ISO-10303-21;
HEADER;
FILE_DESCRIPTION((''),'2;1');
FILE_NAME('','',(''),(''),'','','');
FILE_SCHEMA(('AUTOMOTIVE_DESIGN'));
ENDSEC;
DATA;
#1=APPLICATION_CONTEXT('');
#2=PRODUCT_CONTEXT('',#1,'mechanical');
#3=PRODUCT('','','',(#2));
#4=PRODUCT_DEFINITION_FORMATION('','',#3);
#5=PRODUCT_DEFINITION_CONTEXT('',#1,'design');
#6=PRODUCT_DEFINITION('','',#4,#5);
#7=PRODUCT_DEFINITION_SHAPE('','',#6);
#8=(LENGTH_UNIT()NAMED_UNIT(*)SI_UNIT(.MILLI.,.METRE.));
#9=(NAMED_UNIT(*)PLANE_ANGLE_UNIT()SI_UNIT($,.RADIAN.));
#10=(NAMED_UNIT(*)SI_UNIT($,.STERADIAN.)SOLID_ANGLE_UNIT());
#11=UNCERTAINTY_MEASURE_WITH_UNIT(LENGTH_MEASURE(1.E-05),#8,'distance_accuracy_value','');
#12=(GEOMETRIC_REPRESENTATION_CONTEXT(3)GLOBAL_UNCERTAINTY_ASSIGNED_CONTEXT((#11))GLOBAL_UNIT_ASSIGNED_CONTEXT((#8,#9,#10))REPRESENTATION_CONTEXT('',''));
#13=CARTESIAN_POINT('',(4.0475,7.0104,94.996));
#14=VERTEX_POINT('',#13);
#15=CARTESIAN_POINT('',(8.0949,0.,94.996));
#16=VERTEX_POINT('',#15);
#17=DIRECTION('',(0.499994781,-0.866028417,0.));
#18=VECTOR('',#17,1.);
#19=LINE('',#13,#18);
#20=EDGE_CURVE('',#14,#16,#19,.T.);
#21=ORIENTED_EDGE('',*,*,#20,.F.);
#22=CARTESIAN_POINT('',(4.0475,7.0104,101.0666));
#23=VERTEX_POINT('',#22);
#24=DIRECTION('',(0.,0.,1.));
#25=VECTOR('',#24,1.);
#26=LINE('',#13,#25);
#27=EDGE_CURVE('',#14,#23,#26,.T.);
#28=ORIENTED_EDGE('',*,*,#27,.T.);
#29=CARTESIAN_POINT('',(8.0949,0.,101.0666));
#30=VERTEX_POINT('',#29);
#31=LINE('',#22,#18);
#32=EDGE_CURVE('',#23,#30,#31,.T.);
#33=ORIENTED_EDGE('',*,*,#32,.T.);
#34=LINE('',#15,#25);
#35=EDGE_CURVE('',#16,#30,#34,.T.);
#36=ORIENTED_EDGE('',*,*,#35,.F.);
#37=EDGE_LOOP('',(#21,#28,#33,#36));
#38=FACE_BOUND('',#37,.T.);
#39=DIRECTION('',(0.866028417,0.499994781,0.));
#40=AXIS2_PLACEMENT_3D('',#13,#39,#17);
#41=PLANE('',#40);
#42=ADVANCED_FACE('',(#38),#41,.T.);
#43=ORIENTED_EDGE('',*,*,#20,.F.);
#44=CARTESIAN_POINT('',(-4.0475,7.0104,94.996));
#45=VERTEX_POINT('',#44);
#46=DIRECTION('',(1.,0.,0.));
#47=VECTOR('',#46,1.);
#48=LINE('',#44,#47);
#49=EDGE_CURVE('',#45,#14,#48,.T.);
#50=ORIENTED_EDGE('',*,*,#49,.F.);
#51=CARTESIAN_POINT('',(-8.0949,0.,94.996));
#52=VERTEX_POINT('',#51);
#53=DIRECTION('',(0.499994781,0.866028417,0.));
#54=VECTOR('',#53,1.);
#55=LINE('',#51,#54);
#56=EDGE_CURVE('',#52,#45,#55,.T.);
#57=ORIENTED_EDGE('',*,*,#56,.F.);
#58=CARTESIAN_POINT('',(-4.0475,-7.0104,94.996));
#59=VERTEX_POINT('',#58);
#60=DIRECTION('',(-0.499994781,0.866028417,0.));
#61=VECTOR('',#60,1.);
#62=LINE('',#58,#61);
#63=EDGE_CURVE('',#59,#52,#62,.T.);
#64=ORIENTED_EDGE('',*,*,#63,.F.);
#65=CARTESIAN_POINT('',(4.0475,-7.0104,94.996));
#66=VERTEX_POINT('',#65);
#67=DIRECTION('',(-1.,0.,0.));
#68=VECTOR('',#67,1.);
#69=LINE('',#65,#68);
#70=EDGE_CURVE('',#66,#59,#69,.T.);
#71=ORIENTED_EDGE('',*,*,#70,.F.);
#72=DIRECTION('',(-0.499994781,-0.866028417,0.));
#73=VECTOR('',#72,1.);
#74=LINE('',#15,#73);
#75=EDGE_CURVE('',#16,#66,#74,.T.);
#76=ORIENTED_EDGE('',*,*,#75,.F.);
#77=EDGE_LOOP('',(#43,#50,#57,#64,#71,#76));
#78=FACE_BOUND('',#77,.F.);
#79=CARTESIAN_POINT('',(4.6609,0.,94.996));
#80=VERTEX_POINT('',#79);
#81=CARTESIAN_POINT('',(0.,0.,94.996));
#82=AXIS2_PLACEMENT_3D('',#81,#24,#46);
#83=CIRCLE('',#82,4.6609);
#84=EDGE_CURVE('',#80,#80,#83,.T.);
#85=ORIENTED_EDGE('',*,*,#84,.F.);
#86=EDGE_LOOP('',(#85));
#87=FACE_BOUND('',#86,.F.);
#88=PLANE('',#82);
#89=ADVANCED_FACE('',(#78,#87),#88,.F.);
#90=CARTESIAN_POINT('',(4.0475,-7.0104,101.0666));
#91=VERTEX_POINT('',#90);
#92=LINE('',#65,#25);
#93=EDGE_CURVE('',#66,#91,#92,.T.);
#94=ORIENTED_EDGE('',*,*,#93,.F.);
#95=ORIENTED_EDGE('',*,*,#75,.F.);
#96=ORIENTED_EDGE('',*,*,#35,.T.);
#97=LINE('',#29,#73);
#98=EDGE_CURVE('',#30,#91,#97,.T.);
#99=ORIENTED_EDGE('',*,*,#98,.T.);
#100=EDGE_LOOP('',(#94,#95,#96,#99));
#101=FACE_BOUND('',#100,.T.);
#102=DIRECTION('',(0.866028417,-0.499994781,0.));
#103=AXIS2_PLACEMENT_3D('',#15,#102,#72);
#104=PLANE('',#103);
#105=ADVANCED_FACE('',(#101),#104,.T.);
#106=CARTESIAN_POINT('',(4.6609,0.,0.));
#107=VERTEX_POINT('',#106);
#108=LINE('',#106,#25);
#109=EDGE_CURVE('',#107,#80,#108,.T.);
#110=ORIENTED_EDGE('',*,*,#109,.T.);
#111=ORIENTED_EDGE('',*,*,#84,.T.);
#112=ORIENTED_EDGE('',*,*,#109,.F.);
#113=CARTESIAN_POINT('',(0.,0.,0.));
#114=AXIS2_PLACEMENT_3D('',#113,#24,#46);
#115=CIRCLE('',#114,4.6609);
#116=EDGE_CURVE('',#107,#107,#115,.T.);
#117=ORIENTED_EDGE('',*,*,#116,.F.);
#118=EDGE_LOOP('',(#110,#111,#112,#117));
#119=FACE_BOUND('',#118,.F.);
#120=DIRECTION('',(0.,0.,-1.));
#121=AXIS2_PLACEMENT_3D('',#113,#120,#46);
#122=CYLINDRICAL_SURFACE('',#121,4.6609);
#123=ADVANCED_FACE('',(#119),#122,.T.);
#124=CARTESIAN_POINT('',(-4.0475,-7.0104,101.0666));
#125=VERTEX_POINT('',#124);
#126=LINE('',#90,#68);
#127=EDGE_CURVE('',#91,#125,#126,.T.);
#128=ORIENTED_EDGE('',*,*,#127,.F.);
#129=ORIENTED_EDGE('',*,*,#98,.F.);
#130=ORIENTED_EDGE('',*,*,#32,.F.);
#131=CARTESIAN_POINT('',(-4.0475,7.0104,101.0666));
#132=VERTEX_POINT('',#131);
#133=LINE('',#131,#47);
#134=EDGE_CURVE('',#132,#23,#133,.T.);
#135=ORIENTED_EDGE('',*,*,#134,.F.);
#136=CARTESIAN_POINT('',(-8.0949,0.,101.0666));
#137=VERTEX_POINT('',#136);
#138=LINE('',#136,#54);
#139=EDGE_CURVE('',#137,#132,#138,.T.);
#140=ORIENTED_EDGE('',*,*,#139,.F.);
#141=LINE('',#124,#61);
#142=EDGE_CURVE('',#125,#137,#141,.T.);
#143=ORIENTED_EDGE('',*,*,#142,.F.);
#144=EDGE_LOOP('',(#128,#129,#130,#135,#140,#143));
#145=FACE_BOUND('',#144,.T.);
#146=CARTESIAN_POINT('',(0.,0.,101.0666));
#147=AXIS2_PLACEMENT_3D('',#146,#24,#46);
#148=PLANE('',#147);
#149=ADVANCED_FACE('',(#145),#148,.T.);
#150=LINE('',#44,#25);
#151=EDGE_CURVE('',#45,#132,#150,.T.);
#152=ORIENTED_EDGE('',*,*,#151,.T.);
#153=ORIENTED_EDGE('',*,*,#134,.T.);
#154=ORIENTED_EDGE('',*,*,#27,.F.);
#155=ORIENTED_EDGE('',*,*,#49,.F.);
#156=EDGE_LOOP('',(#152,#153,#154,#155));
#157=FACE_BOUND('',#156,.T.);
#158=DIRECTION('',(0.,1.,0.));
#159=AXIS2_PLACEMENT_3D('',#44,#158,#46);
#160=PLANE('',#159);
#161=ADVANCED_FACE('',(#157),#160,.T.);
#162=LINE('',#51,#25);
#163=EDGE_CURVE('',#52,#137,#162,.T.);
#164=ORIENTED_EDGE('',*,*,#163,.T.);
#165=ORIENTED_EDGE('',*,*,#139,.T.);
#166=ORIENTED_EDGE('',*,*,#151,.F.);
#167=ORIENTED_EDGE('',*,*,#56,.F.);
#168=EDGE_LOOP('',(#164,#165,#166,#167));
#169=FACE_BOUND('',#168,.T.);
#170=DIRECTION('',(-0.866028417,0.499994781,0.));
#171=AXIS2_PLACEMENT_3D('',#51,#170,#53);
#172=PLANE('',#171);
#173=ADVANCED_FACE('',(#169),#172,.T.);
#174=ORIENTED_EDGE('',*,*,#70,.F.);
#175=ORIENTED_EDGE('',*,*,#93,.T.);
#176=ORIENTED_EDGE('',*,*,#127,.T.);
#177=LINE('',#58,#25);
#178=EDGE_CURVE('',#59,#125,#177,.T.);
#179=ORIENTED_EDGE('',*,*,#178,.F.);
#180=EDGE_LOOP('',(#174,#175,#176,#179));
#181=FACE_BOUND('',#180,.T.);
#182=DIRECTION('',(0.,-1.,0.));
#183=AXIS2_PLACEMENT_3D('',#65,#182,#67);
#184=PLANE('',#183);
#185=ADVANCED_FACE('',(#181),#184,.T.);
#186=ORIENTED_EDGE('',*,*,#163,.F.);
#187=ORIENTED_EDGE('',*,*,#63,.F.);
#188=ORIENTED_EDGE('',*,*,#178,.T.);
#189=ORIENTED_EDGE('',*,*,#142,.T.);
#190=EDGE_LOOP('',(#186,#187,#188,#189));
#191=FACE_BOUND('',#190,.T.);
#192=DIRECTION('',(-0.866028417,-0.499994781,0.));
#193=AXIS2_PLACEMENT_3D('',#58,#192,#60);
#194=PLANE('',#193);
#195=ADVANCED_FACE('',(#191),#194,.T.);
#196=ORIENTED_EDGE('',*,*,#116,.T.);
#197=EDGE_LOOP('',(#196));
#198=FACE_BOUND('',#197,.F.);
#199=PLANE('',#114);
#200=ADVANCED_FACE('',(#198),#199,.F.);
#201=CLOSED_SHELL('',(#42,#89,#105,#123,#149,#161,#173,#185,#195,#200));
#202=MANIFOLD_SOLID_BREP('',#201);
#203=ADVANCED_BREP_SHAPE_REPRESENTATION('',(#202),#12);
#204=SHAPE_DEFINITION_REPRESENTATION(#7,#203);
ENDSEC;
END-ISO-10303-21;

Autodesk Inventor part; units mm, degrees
ref_plane "YZ Plane" through (0, 0, 0) normal (1, 0, 0) x (0, 1, 0)
ref_plane "XZ Plane" through (0, 0, 0) normal (0, 1, 0) x (-1, 0, 0)
ref_plane "XY Plane" through (0, 0, 0) normal (0, 0, 1) x (1, 0, 0)
sketch "Sketch1" plane through (0, 0, 0) normal (0, 0, 1) x (1, 0, 0)
  circle A0 centre (0, 0) radius 4.6609
  dimension "d0" = 9.3218
extrude "Extrusion1" add sketch "Sketch1" along normal blind 94.996
thread "Thread1" size "3/8-16 UNC" class "2A" standard "ANSI Unified Screw Threads" length 29.845
sketch "Sketch2" plane through (0, 0, 94.996) normal (0, 0, 1) x (1, 0, 0)
  circle A0 centre (0, 0) radius 4.6609 projected
  line L0 (8.0949, 0) -> (4.0475, -7.0104)
  line L1 (4.0475, -7.0104) -> (-4.0475, -7.0104)
  line L2 (-4.0475, -7.0104) -> (-8.0949, 0)
  line L3 (-8.0949, 0) -> (-4.0475, 7.0104)
  line L4 (-4.0475, 7.0104) -> (4.0475, 7.0104)
  line L5 (4.0475, 7.0104) -> (8.0949, 0)
  dimension "d5" = 14.0208
extrude "Extrusion2" add sketch "Sketch2" along normal blind 6.0706 contours A0 | L0 L1 L2 L3 L4 L5
properties part number "Bolt 1764"
